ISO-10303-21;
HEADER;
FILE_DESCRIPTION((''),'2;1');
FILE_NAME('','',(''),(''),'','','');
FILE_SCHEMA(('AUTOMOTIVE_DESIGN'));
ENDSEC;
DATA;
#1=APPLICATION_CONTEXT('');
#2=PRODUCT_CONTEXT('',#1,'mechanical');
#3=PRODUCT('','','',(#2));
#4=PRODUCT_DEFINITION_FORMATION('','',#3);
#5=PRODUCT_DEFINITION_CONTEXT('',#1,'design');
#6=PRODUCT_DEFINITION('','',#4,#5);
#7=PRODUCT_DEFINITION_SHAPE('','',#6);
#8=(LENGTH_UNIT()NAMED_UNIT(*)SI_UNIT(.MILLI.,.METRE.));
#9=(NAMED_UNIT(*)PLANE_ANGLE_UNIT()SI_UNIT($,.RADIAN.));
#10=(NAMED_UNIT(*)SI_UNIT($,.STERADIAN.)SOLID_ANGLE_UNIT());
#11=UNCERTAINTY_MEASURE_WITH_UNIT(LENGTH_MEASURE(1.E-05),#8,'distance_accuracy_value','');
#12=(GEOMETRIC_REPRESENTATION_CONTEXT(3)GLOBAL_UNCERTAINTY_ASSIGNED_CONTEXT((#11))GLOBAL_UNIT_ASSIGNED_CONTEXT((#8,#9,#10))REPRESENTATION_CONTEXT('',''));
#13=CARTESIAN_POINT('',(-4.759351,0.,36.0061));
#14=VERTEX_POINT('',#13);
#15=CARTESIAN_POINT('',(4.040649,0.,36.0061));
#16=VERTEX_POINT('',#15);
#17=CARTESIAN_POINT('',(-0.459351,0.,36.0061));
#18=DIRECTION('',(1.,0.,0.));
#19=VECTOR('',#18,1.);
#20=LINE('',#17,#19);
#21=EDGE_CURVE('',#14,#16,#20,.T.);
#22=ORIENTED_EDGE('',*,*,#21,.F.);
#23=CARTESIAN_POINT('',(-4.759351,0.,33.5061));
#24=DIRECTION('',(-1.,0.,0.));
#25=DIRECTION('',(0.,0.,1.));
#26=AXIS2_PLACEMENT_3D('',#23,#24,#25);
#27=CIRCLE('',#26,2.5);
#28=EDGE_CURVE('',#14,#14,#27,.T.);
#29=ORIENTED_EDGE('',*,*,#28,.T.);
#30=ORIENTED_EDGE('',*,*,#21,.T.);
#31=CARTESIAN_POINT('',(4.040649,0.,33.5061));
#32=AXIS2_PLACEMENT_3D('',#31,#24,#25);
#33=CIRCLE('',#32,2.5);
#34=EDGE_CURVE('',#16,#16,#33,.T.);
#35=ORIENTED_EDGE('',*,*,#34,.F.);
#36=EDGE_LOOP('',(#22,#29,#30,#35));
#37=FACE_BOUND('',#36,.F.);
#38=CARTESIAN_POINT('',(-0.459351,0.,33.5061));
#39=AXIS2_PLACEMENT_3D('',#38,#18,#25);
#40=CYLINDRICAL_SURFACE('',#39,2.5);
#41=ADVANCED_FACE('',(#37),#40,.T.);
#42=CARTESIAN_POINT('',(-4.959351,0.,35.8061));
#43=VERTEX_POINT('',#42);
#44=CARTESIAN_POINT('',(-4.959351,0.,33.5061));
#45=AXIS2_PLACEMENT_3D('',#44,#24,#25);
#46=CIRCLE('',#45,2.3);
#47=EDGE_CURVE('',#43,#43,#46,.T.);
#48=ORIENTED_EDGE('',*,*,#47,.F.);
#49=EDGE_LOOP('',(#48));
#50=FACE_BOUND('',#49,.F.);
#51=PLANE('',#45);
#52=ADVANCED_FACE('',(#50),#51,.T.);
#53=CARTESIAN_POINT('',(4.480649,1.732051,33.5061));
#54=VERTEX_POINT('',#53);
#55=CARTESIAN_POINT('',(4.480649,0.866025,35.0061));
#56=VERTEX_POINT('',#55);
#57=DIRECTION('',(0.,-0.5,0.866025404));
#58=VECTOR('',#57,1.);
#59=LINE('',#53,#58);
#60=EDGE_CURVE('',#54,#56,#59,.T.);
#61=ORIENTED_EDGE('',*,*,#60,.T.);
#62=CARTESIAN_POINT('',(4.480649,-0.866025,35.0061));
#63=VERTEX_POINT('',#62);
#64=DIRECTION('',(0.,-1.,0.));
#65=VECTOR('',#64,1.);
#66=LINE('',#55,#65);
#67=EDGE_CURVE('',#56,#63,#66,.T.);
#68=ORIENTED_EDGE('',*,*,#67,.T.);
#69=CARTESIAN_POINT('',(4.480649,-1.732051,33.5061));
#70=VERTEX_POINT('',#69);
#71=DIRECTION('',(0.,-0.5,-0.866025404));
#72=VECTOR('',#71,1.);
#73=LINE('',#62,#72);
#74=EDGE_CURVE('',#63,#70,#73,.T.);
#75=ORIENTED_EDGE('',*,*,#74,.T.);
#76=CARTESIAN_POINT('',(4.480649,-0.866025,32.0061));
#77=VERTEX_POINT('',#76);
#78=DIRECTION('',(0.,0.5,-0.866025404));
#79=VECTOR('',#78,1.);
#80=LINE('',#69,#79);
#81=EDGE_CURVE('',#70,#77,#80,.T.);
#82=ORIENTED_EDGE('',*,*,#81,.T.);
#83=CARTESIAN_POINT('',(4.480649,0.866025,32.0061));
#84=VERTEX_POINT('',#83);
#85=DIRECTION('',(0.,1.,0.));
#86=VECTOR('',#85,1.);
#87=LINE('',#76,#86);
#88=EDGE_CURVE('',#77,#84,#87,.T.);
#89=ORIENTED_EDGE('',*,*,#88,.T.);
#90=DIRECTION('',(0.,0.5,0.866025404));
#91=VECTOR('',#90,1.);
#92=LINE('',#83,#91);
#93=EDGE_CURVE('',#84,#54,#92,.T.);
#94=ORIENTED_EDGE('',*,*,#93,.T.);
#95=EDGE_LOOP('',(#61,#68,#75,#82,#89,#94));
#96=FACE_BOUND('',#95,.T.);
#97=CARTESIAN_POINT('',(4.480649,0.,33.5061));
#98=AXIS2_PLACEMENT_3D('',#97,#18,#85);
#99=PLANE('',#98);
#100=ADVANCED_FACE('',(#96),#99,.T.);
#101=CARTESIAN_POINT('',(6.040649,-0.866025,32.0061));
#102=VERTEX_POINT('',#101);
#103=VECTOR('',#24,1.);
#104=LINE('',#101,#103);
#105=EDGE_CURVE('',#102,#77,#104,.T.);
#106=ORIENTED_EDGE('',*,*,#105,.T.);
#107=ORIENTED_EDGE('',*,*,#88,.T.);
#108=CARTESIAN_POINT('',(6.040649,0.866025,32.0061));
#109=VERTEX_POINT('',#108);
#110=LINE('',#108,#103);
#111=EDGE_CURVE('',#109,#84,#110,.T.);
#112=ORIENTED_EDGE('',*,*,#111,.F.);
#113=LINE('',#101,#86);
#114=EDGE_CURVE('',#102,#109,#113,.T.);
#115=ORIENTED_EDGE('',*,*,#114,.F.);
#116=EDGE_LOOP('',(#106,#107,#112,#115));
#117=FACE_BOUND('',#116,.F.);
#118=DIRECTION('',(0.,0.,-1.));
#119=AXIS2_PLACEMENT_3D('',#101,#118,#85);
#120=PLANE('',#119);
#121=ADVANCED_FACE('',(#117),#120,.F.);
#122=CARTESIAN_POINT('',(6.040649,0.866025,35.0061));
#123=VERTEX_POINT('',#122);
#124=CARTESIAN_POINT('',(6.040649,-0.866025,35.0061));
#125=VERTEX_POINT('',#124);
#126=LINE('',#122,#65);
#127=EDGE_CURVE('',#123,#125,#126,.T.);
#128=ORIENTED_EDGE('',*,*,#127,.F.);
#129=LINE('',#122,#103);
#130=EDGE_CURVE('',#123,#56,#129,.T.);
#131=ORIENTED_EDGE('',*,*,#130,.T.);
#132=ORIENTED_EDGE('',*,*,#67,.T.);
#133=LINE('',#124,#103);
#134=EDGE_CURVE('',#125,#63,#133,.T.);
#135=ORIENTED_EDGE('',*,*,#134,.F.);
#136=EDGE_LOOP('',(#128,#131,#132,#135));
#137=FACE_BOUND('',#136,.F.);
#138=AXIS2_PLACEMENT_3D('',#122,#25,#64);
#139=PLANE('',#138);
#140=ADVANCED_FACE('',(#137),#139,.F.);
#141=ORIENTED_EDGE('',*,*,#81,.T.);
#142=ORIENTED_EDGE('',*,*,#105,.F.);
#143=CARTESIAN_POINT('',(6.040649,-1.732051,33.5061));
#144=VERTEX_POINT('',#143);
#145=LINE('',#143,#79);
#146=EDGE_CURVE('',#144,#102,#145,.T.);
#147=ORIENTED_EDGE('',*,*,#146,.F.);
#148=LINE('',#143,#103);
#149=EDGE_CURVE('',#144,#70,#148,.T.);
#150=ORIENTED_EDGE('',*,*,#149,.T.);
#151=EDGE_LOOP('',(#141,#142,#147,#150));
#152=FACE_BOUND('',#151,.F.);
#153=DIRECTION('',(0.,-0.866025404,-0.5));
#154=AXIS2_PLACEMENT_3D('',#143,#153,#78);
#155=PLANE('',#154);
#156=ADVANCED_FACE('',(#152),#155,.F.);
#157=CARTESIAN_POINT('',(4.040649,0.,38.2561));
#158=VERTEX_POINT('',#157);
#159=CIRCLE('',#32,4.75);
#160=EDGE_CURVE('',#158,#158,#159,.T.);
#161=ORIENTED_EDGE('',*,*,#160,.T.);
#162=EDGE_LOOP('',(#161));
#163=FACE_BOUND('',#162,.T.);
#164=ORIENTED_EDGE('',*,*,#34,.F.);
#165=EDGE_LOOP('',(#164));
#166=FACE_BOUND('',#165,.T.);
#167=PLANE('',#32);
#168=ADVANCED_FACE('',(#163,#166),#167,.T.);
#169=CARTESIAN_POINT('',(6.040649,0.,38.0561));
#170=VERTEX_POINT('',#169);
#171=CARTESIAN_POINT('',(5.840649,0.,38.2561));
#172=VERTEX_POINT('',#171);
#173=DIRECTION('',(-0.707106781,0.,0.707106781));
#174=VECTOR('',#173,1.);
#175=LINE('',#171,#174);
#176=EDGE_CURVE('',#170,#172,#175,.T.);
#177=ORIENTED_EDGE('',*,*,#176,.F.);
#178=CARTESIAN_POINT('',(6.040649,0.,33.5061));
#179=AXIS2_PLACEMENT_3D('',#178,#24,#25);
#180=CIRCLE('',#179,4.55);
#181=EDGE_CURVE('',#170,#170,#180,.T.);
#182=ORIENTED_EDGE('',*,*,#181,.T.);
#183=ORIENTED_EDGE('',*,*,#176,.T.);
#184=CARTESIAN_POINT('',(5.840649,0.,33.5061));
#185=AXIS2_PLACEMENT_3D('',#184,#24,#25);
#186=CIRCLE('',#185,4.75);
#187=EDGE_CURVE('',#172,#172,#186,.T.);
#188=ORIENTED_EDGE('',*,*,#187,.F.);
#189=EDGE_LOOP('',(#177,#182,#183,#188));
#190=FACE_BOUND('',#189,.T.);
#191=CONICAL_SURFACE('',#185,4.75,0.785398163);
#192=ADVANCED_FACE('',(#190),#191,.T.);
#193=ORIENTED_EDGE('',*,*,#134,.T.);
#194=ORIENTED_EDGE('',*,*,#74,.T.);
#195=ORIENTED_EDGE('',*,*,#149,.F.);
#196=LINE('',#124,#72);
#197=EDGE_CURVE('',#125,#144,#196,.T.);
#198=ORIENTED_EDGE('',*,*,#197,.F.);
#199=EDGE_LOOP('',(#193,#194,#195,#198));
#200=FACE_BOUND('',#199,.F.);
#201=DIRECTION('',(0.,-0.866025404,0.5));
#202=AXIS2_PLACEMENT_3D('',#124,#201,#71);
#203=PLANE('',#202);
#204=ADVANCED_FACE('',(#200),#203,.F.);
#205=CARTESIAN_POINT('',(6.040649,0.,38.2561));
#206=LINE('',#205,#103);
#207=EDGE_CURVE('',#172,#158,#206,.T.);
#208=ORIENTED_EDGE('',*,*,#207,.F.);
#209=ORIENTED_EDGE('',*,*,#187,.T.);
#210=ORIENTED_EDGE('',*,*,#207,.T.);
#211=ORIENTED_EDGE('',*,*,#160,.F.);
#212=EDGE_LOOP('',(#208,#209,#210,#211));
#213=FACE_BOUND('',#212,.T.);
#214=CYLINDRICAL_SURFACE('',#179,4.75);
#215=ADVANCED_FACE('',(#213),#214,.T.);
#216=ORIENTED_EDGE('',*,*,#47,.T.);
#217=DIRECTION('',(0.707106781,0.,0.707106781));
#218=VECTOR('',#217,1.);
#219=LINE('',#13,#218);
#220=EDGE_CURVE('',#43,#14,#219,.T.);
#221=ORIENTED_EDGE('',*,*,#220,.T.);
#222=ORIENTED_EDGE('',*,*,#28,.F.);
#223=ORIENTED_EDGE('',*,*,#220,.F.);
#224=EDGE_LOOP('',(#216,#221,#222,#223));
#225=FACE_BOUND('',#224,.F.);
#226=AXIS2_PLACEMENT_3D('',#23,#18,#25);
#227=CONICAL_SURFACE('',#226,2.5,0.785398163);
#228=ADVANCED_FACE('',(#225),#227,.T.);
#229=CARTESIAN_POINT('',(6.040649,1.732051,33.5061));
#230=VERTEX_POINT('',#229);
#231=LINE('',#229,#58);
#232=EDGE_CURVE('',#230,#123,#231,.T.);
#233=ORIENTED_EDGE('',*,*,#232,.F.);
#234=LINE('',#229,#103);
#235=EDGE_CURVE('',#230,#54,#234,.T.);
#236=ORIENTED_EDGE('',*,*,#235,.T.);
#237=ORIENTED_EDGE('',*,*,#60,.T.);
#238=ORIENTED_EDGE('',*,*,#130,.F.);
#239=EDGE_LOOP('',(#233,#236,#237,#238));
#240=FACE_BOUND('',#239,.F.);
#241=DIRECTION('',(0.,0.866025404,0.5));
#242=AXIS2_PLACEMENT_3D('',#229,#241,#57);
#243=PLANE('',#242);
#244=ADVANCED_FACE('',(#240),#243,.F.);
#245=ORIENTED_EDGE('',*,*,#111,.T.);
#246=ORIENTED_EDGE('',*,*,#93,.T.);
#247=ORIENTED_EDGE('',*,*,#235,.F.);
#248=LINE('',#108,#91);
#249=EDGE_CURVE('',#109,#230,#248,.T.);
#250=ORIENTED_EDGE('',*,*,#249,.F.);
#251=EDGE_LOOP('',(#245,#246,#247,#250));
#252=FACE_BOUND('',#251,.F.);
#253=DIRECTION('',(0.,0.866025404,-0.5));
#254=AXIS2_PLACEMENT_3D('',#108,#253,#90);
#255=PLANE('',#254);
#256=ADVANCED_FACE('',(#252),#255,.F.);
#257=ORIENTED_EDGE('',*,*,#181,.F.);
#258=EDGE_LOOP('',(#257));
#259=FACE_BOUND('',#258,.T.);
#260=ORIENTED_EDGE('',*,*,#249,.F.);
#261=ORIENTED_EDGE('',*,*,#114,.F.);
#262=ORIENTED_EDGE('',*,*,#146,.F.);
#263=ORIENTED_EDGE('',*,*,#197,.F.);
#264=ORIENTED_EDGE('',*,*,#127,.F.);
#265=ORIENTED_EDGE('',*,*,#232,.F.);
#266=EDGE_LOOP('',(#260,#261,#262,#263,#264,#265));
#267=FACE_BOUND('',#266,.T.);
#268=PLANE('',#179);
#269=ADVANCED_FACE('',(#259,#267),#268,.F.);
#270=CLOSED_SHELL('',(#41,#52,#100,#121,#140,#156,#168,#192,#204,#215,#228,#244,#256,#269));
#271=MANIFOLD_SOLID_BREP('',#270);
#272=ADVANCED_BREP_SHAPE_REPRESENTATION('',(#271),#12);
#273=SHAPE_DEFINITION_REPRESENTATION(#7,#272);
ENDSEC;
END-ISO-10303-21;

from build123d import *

# Parameters (mm, degrees)
F0_W     = 9
F0_H     = 2.5
F2_SIZE  = 0.2
F4_DEPTH = 1.56


with BuildPart() as f1:
    # F0 (on Front) → F1 (revolve)
    with BuildSketch(Plane.XZ):
        with Locations((-0.4593508661, 34.7560998052)):
            Rectangle(F0_W, F0_H)
        Polygon((4.0406491339, 38.2560998052), (4.0406491339, 36.0060998052), (4.0406491339, 33.5060998052), (6.0406491339, 33.5060998052), (6.0406491339, 38.2560998052), align=None)
    revolve(axis=Axis((-0.4593508661, 0, 33.5060998052), (-1, 0, 0)))

    # F2
    f2_edges = [f1.edges().sort_by_distance(p)[0] for p in [
        (-4.959351, 0, 31.0061),
        (6.040649, 0, 28.7561),
    ]]
    chamfer(f2_edges, length=F2_SIZE)

    # F3 (on face) → F4 (cut)
    with BuildSketch(Plane.YZ.offset(6.0406491339)):
        Polygon((0.8660254038, 35.0060998052), (-0.8660254038, 35.0060998052), (-1.7320508076, 33.5060998052), (-0.8660254038, 32.0060998052), (0.8660254038, 32.0060998052), (1.7320508076, 33.5060998052), align=None)
    extrude(amount=-F4_DEPTH, mode=Mode.SUBTRACT)


solid = f1.part
